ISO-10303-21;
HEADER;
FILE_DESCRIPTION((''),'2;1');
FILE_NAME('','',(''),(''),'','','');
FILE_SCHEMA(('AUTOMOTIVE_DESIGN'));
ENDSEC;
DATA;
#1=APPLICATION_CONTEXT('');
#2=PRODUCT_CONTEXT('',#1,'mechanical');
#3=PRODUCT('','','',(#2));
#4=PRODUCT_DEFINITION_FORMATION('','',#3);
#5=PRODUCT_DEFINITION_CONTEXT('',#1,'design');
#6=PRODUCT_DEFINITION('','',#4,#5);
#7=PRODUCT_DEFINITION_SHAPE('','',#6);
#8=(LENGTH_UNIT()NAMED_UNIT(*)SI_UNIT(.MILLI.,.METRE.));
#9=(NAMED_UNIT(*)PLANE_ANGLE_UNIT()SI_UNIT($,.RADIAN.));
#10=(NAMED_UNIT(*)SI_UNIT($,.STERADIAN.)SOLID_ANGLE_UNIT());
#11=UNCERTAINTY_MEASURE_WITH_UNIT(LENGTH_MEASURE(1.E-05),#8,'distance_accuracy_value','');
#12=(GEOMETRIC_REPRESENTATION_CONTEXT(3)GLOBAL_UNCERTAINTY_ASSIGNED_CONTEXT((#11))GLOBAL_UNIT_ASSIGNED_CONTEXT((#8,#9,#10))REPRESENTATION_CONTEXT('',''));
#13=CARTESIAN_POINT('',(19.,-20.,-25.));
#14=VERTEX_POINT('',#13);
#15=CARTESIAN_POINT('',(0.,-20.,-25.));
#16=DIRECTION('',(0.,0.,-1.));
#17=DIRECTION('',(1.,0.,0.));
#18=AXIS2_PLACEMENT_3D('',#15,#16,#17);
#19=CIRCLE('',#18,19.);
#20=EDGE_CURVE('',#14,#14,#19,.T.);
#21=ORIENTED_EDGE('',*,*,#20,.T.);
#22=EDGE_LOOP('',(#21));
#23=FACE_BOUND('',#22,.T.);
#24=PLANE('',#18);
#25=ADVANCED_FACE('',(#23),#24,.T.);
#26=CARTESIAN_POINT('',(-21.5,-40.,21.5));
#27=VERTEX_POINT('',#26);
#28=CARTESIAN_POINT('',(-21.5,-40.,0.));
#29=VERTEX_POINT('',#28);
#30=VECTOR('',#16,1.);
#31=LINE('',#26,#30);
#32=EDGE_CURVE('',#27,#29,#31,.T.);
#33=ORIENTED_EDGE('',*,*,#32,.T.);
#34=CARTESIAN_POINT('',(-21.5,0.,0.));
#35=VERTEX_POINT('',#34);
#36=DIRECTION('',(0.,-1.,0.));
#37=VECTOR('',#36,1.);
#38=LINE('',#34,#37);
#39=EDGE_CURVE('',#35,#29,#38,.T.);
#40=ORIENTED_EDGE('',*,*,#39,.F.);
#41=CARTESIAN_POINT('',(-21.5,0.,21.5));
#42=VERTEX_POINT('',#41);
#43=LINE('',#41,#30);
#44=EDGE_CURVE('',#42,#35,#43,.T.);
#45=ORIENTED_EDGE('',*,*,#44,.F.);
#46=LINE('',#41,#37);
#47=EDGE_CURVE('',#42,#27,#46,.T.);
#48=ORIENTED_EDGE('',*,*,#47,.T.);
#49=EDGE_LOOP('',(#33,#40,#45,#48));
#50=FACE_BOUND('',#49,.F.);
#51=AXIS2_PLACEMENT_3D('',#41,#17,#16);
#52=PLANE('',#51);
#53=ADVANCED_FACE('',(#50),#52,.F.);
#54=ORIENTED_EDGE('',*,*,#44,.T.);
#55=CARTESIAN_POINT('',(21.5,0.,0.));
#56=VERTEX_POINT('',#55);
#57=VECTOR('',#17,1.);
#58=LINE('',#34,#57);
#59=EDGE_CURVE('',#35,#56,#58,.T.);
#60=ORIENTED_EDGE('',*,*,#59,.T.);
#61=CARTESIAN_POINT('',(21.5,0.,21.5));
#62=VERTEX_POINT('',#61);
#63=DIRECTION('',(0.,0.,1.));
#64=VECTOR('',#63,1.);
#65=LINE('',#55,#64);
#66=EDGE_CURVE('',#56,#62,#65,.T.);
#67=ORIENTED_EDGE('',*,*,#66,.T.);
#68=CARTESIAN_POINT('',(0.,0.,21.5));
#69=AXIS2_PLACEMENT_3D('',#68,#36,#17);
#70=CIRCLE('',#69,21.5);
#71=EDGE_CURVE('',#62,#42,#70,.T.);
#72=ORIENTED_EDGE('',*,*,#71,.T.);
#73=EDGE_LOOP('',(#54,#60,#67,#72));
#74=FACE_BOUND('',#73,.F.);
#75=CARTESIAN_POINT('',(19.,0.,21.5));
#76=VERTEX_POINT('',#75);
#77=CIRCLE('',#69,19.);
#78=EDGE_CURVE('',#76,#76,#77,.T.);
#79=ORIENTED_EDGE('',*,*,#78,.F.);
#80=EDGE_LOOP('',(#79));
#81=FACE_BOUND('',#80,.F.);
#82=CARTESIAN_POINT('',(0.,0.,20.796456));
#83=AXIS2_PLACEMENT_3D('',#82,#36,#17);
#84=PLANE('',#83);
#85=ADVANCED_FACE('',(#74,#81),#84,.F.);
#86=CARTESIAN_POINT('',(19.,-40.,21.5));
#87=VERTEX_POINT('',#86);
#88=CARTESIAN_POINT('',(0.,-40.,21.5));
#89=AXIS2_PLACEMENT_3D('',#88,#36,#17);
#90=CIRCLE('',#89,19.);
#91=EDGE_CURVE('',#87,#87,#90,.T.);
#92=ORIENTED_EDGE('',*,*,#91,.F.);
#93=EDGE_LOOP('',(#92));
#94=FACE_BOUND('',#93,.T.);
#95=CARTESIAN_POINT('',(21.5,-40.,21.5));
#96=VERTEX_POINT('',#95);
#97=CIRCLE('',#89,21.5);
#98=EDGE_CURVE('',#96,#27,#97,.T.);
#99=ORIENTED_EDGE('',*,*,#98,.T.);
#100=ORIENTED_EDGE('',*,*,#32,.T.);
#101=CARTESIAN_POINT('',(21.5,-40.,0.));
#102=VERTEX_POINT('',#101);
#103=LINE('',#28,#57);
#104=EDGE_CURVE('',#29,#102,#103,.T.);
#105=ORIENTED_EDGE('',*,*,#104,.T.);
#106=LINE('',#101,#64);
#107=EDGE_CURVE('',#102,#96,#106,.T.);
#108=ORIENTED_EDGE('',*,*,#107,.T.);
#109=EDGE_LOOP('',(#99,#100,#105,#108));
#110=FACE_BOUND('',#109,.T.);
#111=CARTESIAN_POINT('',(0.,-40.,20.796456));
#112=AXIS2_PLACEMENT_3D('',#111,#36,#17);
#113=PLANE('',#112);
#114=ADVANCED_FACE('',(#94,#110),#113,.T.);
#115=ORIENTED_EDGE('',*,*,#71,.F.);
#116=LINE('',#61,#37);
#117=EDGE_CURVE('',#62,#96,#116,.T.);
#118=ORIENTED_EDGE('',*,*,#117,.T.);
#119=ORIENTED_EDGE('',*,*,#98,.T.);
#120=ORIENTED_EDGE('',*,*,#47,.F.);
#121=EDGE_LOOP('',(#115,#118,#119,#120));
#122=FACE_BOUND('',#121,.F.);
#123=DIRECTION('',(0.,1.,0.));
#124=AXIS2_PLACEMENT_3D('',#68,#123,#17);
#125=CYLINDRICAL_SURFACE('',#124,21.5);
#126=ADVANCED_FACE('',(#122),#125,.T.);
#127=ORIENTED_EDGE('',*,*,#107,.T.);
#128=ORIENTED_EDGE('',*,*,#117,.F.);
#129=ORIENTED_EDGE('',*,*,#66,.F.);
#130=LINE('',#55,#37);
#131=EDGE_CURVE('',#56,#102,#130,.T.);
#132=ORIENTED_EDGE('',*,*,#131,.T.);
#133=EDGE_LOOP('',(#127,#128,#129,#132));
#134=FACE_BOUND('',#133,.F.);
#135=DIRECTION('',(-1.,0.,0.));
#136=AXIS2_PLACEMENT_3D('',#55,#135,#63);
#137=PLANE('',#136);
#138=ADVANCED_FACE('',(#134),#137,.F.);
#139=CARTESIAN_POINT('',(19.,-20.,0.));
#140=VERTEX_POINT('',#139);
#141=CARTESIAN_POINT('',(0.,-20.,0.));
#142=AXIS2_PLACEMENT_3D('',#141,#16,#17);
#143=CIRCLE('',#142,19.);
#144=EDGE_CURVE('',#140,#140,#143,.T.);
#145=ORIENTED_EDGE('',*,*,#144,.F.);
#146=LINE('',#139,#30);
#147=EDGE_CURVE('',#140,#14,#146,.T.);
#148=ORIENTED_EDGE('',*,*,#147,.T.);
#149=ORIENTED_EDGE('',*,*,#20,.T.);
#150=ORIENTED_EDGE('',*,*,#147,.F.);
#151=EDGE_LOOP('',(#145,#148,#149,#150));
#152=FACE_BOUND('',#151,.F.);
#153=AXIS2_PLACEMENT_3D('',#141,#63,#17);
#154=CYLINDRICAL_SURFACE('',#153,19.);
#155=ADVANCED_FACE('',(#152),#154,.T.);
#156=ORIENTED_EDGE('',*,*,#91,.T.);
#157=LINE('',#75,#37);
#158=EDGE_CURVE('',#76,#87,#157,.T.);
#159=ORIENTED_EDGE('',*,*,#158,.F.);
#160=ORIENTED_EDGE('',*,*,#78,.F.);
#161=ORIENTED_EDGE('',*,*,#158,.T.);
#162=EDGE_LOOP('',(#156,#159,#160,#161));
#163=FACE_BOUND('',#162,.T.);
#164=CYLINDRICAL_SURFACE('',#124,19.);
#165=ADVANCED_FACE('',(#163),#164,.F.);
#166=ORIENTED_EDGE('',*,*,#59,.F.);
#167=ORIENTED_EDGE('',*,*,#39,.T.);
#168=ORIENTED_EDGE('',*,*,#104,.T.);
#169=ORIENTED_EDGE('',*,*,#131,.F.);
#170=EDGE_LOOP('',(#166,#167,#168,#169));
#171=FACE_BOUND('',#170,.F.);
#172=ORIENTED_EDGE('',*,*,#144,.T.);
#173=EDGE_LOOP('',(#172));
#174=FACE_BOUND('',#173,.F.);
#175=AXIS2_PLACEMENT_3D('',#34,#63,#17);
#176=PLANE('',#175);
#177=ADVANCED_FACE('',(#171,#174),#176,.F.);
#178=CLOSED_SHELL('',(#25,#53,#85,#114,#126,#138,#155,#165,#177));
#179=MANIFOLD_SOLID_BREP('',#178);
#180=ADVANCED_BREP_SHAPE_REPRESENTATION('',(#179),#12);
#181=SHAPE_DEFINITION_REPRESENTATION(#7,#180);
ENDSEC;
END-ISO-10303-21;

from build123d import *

# Parameters (mm, degrees)
F0_R     = 19
F1_DEPTH = 40
F2_R     = 19
F3_DEPTH = 25


with BuildPart() as f1:
    # F0 (on Front) → F1 (new body)
    with BuildSketch(Plane.XZ):
        with BuildLine():
            ThreePointArc((0, 0), (15.202796, 6.297204), (21.5, 21.5))
            ThreePointArc((21.5, 21.5), (0, 43), (-21.5, 21.5))
            ThreePointArc((-21.5, 21.5), (-15.202796, 6.297204), (0, 0))
        make_face()
        with Locations((0, 21.5)):
            Circle(F0_R, mode=Mode.SUBTRACT)
        with BuildLine():
            Line((21.5, 0), (21.5, 21.5))
            ThreePointArc((21.5, 21.5), (15.202796, 6.297204), (0, 0))
            Line((0, 0), (21.5, 0))
        make_face()
        with BuildLine():
            ThreePointArc((0, 0), (-15.202796, 6.297204), (-21.5, 21.5))
            Line((-21.5, 21.5), (-21.5, 0))
            Line((-21.5, 0), (0, 0))
        make_face()
    extrude(amount=F1_DEPTH)

    # F2 (on face) → F3 (join)
    with BuildSketch(Plane(origin=(0, 0, 0), x_dir=(1, 0, 0), z_dir=(0, 0, -1))):
        with Locations((0, 20)):
            Circle(F2_R)
    extrude(amount=F3_DEPTH)


solid = f1.part
